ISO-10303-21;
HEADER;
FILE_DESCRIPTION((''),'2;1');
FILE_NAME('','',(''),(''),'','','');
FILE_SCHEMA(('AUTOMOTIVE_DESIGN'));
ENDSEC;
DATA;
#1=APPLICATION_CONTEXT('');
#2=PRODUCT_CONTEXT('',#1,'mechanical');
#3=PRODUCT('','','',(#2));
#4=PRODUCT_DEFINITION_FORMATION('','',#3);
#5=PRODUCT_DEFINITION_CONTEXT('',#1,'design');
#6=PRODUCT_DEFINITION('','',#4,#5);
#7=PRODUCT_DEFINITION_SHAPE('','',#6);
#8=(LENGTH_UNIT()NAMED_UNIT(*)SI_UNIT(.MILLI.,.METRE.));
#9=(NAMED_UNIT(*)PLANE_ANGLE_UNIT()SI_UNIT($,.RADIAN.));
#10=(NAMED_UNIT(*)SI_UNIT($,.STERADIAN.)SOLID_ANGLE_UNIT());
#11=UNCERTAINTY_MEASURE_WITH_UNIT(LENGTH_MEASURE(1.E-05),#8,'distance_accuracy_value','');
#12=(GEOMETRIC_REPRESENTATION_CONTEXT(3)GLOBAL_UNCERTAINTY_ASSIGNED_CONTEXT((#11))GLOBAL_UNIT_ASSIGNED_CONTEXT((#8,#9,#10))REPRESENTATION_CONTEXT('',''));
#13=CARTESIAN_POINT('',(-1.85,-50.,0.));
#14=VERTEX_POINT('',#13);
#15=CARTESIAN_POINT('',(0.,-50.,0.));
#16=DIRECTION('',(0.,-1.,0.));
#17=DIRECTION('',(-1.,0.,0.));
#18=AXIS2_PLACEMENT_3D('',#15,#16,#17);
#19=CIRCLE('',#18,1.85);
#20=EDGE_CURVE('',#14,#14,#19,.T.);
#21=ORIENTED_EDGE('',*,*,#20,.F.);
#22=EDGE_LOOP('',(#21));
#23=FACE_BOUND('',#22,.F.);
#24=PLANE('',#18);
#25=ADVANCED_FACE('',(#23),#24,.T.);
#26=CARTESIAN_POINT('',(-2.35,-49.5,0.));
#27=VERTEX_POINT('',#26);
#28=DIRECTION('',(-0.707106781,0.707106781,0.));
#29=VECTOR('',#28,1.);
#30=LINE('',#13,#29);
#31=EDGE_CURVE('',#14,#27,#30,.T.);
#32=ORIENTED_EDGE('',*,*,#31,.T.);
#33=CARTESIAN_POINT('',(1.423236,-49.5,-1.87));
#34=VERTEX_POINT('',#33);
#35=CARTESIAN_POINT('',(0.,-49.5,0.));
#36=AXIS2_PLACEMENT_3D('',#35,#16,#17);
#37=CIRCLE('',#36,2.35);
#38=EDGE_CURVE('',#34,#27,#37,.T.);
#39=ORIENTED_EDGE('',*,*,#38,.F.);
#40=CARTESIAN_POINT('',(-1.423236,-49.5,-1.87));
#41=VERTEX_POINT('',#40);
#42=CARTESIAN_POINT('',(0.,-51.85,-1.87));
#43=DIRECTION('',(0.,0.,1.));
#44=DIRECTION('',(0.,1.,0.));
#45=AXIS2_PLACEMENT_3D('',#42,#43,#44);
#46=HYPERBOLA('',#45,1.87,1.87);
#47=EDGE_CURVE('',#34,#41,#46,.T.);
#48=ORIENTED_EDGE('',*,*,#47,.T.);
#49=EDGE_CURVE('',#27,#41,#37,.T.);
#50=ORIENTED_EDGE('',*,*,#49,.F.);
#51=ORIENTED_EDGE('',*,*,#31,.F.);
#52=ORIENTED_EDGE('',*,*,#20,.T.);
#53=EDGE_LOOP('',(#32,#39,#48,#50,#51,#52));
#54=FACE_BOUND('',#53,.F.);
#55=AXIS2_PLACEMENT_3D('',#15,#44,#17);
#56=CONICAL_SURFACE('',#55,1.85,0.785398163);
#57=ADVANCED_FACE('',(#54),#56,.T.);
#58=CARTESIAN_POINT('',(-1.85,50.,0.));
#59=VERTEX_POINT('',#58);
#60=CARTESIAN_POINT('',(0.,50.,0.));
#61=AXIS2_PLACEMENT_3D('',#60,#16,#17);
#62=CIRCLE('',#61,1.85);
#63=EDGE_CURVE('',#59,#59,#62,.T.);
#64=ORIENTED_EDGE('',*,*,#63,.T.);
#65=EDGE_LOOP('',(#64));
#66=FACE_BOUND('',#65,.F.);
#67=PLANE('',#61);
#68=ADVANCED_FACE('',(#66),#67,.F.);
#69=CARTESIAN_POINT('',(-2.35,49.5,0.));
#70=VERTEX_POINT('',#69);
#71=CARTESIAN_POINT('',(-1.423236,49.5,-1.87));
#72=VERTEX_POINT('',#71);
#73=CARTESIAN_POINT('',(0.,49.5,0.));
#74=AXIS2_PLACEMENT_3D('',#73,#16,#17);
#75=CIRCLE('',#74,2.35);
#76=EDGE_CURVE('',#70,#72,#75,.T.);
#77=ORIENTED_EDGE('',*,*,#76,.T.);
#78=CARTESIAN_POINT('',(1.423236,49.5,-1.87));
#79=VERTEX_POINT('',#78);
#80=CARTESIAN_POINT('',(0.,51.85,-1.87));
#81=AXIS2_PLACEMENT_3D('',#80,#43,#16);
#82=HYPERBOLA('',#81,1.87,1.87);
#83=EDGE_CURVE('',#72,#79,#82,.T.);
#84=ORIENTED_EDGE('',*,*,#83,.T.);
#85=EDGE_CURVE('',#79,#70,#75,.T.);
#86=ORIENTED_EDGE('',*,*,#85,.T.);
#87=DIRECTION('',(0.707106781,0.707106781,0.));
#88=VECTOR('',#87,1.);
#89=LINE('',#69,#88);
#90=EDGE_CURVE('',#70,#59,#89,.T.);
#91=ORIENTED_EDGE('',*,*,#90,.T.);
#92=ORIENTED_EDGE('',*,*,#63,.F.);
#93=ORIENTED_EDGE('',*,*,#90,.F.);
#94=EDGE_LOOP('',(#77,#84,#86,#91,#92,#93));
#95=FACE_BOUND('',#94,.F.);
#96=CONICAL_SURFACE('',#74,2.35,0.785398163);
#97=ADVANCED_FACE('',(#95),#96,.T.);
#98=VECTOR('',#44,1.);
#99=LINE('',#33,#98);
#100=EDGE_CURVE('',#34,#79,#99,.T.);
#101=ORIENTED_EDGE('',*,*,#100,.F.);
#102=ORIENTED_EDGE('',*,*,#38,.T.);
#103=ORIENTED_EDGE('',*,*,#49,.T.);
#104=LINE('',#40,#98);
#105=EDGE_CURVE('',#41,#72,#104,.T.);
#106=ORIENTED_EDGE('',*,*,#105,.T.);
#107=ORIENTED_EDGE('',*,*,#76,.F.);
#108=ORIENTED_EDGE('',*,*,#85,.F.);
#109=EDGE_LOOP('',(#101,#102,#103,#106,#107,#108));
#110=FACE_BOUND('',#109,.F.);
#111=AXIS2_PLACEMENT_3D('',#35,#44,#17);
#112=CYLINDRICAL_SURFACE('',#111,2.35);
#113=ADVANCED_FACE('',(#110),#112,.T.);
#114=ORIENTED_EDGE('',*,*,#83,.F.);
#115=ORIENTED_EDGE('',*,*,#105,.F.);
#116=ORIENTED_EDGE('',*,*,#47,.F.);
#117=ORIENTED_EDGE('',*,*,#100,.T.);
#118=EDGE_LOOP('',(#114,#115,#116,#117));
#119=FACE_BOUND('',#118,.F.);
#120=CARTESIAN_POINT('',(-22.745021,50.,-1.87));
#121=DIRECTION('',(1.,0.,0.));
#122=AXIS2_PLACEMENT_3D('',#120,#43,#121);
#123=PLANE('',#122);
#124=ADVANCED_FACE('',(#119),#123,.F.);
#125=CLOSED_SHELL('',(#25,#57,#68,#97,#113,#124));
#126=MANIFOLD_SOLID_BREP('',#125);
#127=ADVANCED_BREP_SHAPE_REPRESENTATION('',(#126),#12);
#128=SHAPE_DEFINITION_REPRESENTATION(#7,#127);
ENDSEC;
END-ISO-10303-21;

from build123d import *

# Parameters (mm, degrees)
CUT_EXTRUDE1_DEPTH = 101.055209759


with BuildPart() as part:
    # Sketch1 → Revolve1 (revolve)
    with BuildSketch(Plane.XY):
        Polygon((0, -50), (-1.85, -50), (-2.35, -49.5), (-2.35, 49.5), (-1.85, 50), (0, 50), align=None)
    revolve(axis=Axis((0, 50, 0), (0, -1, 0)))

    # Sketch2 → Cut-Extrude1 (cut, through all)
    with BuildSketch(Plane(origin=(0, 50, 0), x_dir=(1, 0, 0), z_dir=(0, 1, 0))):
        with BuildLine():
            ThreePointArc((1.42323575, 1.87), (0, 2.35), (-1.42323575, 1.87))
            Line((-1.42323575, 1.87), (1.42323575, 1.87))
        make_face()
    extrude(amount=-CUT_EXTRUDE1_DEPTH, mode=Mode.SUBTRACT)


solid = part.part
